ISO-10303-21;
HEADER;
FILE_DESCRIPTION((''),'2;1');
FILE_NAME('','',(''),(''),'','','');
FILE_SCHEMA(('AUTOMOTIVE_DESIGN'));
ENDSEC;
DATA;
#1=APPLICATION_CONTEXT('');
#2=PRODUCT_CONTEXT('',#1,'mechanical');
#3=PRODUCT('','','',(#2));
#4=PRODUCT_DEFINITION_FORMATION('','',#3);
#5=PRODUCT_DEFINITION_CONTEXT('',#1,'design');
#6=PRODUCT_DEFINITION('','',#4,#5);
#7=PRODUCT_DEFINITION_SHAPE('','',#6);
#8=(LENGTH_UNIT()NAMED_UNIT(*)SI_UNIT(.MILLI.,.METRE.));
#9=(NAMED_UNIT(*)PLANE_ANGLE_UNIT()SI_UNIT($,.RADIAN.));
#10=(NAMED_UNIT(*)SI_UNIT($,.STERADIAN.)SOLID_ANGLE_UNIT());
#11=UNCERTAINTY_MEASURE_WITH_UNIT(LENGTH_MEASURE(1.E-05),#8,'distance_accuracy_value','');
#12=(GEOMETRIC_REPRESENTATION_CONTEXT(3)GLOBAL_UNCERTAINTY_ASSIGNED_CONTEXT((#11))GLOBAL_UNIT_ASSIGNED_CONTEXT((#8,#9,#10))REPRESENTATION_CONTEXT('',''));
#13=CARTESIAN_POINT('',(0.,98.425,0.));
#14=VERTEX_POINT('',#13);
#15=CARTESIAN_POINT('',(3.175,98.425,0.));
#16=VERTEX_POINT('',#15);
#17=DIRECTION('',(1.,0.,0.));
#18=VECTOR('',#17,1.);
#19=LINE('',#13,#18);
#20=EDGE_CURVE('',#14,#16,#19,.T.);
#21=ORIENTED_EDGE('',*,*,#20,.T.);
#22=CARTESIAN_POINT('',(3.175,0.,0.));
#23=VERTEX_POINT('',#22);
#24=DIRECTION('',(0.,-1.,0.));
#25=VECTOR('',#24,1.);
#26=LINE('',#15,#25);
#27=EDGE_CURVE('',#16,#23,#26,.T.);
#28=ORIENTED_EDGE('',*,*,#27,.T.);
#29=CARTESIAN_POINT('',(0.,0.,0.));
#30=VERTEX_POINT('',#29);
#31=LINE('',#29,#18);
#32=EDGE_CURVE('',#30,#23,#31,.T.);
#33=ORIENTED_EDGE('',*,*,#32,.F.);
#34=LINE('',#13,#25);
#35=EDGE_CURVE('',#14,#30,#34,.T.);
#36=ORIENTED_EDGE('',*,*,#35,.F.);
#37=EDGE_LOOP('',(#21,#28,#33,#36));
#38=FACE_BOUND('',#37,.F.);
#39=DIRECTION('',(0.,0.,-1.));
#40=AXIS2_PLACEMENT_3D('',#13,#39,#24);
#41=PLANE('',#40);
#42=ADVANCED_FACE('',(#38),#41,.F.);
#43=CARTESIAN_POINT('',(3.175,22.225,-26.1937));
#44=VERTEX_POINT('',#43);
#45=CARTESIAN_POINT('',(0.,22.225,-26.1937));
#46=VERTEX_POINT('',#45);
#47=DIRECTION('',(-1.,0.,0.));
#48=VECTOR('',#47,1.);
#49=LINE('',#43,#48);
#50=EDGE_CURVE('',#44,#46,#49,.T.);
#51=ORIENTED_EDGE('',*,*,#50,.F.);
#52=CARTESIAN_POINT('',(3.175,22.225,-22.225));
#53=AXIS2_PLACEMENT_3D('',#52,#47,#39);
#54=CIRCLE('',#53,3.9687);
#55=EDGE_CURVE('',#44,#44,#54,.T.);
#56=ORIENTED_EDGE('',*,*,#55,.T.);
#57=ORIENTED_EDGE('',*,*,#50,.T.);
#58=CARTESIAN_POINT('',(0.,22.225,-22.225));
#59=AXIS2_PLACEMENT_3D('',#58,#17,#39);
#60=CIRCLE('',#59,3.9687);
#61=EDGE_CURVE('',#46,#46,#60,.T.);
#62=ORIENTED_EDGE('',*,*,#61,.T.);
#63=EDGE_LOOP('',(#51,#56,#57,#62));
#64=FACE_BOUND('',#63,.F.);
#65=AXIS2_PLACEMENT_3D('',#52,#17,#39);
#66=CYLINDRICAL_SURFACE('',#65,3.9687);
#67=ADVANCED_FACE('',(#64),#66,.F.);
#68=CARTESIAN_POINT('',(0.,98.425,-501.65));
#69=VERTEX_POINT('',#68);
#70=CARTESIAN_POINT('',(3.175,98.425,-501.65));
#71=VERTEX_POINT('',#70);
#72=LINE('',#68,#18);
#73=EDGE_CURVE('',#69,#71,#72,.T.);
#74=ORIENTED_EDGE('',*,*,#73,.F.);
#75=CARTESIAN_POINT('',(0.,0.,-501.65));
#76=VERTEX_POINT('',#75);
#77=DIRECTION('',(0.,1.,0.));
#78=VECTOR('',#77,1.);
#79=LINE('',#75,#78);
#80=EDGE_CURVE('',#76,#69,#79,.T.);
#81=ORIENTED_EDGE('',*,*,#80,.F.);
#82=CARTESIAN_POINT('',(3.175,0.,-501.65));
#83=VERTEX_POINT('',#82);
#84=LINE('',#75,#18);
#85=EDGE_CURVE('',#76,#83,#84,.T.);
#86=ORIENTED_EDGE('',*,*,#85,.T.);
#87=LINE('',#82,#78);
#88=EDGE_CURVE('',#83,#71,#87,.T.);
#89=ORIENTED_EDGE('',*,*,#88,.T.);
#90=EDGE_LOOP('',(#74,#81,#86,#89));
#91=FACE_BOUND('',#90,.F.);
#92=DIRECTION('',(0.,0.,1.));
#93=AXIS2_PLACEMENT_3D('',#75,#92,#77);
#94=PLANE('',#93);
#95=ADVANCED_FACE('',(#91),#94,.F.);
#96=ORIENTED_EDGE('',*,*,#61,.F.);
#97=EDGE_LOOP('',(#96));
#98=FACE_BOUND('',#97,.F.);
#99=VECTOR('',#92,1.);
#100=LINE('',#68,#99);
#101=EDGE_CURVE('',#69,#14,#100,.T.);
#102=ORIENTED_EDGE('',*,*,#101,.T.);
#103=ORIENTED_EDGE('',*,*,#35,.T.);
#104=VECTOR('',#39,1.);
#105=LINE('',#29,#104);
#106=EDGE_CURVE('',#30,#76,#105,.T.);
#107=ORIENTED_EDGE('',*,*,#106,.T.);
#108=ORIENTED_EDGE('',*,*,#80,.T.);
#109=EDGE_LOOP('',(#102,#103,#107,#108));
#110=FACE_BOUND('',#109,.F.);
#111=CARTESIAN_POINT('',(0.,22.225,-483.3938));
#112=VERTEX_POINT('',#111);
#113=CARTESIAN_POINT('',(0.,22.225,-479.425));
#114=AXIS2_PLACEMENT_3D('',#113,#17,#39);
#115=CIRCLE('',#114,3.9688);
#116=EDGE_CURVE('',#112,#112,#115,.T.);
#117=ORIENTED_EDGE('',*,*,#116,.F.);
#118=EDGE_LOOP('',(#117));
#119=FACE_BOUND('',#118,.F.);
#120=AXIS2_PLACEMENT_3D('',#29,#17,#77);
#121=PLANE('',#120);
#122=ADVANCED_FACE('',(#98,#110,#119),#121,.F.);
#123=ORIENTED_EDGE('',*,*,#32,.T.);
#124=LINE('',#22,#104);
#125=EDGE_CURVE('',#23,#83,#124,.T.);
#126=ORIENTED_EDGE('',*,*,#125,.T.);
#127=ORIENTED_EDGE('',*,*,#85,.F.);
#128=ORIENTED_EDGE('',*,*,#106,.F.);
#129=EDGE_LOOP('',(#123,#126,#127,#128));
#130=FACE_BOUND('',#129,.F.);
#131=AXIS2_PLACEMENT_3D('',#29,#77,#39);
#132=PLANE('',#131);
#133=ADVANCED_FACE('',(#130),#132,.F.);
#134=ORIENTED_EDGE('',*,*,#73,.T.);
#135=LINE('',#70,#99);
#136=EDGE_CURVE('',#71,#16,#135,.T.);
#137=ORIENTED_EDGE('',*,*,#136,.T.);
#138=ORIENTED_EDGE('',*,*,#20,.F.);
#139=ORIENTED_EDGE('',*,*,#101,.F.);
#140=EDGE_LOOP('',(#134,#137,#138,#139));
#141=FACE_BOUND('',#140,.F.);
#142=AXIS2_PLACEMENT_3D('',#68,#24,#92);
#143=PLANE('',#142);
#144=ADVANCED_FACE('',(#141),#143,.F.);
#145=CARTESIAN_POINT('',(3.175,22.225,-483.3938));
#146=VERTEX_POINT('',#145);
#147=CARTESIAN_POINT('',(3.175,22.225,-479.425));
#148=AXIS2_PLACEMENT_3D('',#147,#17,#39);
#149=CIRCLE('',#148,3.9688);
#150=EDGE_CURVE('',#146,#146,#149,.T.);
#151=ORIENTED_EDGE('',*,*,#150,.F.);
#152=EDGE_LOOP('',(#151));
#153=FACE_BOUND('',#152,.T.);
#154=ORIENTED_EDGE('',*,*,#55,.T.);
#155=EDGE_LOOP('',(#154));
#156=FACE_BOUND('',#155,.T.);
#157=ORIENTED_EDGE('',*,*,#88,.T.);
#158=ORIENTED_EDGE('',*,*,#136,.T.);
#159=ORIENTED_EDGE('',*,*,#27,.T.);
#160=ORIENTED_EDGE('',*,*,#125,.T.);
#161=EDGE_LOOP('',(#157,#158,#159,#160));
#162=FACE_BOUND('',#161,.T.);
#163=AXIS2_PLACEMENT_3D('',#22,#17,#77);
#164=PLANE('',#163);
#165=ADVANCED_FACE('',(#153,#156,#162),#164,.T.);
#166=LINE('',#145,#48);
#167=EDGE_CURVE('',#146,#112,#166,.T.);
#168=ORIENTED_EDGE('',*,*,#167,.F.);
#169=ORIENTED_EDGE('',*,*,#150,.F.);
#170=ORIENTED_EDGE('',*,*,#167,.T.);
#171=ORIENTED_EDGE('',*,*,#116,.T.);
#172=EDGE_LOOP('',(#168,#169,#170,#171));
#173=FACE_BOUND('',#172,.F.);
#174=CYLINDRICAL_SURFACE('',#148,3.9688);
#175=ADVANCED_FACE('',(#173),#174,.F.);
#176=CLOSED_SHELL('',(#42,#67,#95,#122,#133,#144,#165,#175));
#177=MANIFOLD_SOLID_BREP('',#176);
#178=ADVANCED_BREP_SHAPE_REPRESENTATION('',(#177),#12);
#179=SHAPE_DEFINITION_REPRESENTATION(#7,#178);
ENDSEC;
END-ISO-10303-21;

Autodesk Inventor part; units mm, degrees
ref_plane "YZ Plane" through (0, 0, 0) normal (1, 0, 0) x (0, 1, 0)
ref_plane "XZ Plane" through (0, 0, 0) normal (0, 1, 0) x (-1, 0, 0)
ref_plane "XY Plane" through (0, 0, 0) normal (0, 0, 1) x (1, 0, 0)
sketch "Sketch1" plane through (0, 0, 0) normal (1, 0, 0) x (0, 1, 0)
  line L0 (0, 0) -> (0, -501.65)
  line L1 (0, -501.65) -> (98.425, -501.65)
  line L2 (98.425, -501.65) -> (98.425, 0)
  line L3 (98.425, 0) -> (0, 0)
  dimension "d0" = 501.65
  dimension "d1" = 98.425
extrude "Extrusion1" add sketch "Sketch1" along normal blind 3.175
sketch "Sketch2" plane through (3.175, 0, 0) normal (1, 0, 0) x (0, 0, -1)
  line L0 (0, 0) -> (501.65, 0) projected
  line L1 (0, 0) -> (0, 22.225)
  line L2 (0, 98.425) -> (0, 0) projected
  line L3 (0, 22.225) -> (22.225, 22.225)
  circle A0 centre (22.225, 22.225) radius 3.9687
  dimension "d4" = 22.225
  dimension "d5" = 22.225
  dimension "d6" = 7.9375
extrude "Extrusion2" cut sketch "Sketch2" against normal blind 3.175
sketch "Sketch3" plane through (3.175, 0, 0) normal (1, 0, 0) x (0, 0, -1)
  line L0 (501.65, 0) -> (501.65, 98.425) projected
  line L1 (501.65, 0) -> (501.65, 22.225)
  line L2 (501.65, 22.225) -> (479.425, 22.225)
  circle A0 centre (479.425, 22.225) radius 3.9688
  point P0 (0, 0)
  dimension "d11" = 22.225
  dimension "d12" = 22.225
  dimension "d13" = 7.9375
extrude "Extrusion3" cut sketch "Sketch3" against normal blind 3.175
properties part number "inner_wall"
